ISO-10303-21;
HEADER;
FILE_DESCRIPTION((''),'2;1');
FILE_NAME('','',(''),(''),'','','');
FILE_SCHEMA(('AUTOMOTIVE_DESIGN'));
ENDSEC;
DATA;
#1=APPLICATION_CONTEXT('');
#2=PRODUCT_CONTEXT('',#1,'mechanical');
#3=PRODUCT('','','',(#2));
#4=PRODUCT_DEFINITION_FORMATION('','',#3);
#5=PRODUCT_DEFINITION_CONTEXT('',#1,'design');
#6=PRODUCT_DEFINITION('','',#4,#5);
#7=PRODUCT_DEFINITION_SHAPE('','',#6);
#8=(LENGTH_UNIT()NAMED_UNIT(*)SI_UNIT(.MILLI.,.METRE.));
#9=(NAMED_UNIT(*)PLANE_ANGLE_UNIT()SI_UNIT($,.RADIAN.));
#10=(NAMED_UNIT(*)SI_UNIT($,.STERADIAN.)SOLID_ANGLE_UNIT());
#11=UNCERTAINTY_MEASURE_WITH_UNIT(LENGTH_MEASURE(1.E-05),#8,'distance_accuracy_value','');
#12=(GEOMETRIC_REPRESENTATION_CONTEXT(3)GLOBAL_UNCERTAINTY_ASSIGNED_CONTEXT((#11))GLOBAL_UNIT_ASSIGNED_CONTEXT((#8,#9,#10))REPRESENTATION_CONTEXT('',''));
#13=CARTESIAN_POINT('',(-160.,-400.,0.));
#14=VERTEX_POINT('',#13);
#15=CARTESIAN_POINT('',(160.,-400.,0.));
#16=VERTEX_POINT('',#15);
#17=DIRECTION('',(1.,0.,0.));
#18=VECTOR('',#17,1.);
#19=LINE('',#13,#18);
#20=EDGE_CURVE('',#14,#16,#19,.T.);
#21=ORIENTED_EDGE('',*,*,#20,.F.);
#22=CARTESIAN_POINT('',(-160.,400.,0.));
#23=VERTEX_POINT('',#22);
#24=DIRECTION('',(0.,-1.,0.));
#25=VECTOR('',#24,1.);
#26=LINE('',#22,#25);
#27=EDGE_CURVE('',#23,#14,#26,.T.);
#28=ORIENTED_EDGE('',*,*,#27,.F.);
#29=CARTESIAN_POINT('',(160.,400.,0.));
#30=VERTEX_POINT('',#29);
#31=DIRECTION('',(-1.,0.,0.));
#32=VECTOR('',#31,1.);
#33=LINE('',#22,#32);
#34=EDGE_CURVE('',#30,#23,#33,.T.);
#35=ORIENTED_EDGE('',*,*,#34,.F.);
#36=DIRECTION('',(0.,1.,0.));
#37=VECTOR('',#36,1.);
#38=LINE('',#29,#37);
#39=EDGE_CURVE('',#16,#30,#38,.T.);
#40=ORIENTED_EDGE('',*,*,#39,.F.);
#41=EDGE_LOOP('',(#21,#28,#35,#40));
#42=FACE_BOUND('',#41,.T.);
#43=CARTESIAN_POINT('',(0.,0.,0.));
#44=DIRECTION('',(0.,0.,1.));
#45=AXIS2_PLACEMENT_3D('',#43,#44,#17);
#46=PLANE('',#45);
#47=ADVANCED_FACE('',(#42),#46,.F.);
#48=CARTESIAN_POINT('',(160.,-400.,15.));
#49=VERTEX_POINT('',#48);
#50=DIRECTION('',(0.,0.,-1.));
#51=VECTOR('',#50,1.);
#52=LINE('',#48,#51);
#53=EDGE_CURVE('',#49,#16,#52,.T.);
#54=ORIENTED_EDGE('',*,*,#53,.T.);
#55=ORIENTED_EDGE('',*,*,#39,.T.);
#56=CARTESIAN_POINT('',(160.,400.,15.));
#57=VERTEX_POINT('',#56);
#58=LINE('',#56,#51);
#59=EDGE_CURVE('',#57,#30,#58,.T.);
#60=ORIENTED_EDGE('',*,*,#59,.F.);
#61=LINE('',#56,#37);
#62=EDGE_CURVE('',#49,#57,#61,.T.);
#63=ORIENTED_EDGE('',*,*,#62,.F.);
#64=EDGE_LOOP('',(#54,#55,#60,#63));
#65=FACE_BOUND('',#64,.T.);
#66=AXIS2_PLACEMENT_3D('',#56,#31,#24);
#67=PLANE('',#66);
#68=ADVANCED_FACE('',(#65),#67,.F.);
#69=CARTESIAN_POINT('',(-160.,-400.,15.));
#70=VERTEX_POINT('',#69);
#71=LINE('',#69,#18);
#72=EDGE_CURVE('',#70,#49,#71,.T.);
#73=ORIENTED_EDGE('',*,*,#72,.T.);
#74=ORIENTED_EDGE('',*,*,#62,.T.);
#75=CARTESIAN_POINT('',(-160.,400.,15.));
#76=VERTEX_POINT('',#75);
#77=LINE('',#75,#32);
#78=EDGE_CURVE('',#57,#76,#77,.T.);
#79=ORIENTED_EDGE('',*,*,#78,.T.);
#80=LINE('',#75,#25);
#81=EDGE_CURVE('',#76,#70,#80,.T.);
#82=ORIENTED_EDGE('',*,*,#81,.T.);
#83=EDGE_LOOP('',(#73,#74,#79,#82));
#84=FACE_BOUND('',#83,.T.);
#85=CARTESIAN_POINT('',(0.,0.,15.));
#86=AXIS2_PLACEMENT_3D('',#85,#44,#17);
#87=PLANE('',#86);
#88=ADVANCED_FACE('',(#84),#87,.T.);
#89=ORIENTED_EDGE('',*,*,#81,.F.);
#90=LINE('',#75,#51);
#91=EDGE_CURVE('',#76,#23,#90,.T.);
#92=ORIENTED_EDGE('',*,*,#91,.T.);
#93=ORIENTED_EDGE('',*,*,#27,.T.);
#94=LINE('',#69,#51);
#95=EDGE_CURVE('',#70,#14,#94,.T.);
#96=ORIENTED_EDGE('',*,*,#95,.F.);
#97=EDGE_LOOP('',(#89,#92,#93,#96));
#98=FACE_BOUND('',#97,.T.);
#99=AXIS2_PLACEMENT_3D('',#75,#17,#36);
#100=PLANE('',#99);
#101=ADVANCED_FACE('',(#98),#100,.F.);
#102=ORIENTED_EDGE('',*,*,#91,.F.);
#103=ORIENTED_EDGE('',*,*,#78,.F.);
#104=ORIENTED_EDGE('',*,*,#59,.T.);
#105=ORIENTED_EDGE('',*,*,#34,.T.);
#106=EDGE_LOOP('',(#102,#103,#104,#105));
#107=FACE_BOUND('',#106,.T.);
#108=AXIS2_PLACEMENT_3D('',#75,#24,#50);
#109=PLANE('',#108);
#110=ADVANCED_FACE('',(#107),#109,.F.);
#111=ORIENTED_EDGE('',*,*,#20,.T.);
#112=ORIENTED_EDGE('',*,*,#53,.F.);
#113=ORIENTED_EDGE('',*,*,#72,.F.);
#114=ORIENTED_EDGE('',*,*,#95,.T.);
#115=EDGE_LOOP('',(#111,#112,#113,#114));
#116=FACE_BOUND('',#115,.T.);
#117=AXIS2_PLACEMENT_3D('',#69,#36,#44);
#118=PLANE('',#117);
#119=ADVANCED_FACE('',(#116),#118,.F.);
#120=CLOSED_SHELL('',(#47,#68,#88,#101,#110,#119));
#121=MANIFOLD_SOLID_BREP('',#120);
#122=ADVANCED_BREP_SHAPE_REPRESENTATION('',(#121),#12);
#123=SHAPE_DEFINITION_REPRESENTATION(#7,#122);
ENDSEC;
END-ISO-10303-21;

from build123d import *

# Parameters (mm, degrees)
ESBO_O1_W                = 320
ESBO_O1_H                = 800
RESSALTO_EXTRUS_O1_DEPTH = 15


with BuildPart() as part:
    # Esboço1 → Ressalto-extrusão1 (new body)
    with BuildSketch(Plane.XY):
        Rectangle(ESBO_O1_W, ESBO_O1_H)
    extrude(amount=RESSALTO_EXTRUS_O1_DEPTH)


solid = part.part
